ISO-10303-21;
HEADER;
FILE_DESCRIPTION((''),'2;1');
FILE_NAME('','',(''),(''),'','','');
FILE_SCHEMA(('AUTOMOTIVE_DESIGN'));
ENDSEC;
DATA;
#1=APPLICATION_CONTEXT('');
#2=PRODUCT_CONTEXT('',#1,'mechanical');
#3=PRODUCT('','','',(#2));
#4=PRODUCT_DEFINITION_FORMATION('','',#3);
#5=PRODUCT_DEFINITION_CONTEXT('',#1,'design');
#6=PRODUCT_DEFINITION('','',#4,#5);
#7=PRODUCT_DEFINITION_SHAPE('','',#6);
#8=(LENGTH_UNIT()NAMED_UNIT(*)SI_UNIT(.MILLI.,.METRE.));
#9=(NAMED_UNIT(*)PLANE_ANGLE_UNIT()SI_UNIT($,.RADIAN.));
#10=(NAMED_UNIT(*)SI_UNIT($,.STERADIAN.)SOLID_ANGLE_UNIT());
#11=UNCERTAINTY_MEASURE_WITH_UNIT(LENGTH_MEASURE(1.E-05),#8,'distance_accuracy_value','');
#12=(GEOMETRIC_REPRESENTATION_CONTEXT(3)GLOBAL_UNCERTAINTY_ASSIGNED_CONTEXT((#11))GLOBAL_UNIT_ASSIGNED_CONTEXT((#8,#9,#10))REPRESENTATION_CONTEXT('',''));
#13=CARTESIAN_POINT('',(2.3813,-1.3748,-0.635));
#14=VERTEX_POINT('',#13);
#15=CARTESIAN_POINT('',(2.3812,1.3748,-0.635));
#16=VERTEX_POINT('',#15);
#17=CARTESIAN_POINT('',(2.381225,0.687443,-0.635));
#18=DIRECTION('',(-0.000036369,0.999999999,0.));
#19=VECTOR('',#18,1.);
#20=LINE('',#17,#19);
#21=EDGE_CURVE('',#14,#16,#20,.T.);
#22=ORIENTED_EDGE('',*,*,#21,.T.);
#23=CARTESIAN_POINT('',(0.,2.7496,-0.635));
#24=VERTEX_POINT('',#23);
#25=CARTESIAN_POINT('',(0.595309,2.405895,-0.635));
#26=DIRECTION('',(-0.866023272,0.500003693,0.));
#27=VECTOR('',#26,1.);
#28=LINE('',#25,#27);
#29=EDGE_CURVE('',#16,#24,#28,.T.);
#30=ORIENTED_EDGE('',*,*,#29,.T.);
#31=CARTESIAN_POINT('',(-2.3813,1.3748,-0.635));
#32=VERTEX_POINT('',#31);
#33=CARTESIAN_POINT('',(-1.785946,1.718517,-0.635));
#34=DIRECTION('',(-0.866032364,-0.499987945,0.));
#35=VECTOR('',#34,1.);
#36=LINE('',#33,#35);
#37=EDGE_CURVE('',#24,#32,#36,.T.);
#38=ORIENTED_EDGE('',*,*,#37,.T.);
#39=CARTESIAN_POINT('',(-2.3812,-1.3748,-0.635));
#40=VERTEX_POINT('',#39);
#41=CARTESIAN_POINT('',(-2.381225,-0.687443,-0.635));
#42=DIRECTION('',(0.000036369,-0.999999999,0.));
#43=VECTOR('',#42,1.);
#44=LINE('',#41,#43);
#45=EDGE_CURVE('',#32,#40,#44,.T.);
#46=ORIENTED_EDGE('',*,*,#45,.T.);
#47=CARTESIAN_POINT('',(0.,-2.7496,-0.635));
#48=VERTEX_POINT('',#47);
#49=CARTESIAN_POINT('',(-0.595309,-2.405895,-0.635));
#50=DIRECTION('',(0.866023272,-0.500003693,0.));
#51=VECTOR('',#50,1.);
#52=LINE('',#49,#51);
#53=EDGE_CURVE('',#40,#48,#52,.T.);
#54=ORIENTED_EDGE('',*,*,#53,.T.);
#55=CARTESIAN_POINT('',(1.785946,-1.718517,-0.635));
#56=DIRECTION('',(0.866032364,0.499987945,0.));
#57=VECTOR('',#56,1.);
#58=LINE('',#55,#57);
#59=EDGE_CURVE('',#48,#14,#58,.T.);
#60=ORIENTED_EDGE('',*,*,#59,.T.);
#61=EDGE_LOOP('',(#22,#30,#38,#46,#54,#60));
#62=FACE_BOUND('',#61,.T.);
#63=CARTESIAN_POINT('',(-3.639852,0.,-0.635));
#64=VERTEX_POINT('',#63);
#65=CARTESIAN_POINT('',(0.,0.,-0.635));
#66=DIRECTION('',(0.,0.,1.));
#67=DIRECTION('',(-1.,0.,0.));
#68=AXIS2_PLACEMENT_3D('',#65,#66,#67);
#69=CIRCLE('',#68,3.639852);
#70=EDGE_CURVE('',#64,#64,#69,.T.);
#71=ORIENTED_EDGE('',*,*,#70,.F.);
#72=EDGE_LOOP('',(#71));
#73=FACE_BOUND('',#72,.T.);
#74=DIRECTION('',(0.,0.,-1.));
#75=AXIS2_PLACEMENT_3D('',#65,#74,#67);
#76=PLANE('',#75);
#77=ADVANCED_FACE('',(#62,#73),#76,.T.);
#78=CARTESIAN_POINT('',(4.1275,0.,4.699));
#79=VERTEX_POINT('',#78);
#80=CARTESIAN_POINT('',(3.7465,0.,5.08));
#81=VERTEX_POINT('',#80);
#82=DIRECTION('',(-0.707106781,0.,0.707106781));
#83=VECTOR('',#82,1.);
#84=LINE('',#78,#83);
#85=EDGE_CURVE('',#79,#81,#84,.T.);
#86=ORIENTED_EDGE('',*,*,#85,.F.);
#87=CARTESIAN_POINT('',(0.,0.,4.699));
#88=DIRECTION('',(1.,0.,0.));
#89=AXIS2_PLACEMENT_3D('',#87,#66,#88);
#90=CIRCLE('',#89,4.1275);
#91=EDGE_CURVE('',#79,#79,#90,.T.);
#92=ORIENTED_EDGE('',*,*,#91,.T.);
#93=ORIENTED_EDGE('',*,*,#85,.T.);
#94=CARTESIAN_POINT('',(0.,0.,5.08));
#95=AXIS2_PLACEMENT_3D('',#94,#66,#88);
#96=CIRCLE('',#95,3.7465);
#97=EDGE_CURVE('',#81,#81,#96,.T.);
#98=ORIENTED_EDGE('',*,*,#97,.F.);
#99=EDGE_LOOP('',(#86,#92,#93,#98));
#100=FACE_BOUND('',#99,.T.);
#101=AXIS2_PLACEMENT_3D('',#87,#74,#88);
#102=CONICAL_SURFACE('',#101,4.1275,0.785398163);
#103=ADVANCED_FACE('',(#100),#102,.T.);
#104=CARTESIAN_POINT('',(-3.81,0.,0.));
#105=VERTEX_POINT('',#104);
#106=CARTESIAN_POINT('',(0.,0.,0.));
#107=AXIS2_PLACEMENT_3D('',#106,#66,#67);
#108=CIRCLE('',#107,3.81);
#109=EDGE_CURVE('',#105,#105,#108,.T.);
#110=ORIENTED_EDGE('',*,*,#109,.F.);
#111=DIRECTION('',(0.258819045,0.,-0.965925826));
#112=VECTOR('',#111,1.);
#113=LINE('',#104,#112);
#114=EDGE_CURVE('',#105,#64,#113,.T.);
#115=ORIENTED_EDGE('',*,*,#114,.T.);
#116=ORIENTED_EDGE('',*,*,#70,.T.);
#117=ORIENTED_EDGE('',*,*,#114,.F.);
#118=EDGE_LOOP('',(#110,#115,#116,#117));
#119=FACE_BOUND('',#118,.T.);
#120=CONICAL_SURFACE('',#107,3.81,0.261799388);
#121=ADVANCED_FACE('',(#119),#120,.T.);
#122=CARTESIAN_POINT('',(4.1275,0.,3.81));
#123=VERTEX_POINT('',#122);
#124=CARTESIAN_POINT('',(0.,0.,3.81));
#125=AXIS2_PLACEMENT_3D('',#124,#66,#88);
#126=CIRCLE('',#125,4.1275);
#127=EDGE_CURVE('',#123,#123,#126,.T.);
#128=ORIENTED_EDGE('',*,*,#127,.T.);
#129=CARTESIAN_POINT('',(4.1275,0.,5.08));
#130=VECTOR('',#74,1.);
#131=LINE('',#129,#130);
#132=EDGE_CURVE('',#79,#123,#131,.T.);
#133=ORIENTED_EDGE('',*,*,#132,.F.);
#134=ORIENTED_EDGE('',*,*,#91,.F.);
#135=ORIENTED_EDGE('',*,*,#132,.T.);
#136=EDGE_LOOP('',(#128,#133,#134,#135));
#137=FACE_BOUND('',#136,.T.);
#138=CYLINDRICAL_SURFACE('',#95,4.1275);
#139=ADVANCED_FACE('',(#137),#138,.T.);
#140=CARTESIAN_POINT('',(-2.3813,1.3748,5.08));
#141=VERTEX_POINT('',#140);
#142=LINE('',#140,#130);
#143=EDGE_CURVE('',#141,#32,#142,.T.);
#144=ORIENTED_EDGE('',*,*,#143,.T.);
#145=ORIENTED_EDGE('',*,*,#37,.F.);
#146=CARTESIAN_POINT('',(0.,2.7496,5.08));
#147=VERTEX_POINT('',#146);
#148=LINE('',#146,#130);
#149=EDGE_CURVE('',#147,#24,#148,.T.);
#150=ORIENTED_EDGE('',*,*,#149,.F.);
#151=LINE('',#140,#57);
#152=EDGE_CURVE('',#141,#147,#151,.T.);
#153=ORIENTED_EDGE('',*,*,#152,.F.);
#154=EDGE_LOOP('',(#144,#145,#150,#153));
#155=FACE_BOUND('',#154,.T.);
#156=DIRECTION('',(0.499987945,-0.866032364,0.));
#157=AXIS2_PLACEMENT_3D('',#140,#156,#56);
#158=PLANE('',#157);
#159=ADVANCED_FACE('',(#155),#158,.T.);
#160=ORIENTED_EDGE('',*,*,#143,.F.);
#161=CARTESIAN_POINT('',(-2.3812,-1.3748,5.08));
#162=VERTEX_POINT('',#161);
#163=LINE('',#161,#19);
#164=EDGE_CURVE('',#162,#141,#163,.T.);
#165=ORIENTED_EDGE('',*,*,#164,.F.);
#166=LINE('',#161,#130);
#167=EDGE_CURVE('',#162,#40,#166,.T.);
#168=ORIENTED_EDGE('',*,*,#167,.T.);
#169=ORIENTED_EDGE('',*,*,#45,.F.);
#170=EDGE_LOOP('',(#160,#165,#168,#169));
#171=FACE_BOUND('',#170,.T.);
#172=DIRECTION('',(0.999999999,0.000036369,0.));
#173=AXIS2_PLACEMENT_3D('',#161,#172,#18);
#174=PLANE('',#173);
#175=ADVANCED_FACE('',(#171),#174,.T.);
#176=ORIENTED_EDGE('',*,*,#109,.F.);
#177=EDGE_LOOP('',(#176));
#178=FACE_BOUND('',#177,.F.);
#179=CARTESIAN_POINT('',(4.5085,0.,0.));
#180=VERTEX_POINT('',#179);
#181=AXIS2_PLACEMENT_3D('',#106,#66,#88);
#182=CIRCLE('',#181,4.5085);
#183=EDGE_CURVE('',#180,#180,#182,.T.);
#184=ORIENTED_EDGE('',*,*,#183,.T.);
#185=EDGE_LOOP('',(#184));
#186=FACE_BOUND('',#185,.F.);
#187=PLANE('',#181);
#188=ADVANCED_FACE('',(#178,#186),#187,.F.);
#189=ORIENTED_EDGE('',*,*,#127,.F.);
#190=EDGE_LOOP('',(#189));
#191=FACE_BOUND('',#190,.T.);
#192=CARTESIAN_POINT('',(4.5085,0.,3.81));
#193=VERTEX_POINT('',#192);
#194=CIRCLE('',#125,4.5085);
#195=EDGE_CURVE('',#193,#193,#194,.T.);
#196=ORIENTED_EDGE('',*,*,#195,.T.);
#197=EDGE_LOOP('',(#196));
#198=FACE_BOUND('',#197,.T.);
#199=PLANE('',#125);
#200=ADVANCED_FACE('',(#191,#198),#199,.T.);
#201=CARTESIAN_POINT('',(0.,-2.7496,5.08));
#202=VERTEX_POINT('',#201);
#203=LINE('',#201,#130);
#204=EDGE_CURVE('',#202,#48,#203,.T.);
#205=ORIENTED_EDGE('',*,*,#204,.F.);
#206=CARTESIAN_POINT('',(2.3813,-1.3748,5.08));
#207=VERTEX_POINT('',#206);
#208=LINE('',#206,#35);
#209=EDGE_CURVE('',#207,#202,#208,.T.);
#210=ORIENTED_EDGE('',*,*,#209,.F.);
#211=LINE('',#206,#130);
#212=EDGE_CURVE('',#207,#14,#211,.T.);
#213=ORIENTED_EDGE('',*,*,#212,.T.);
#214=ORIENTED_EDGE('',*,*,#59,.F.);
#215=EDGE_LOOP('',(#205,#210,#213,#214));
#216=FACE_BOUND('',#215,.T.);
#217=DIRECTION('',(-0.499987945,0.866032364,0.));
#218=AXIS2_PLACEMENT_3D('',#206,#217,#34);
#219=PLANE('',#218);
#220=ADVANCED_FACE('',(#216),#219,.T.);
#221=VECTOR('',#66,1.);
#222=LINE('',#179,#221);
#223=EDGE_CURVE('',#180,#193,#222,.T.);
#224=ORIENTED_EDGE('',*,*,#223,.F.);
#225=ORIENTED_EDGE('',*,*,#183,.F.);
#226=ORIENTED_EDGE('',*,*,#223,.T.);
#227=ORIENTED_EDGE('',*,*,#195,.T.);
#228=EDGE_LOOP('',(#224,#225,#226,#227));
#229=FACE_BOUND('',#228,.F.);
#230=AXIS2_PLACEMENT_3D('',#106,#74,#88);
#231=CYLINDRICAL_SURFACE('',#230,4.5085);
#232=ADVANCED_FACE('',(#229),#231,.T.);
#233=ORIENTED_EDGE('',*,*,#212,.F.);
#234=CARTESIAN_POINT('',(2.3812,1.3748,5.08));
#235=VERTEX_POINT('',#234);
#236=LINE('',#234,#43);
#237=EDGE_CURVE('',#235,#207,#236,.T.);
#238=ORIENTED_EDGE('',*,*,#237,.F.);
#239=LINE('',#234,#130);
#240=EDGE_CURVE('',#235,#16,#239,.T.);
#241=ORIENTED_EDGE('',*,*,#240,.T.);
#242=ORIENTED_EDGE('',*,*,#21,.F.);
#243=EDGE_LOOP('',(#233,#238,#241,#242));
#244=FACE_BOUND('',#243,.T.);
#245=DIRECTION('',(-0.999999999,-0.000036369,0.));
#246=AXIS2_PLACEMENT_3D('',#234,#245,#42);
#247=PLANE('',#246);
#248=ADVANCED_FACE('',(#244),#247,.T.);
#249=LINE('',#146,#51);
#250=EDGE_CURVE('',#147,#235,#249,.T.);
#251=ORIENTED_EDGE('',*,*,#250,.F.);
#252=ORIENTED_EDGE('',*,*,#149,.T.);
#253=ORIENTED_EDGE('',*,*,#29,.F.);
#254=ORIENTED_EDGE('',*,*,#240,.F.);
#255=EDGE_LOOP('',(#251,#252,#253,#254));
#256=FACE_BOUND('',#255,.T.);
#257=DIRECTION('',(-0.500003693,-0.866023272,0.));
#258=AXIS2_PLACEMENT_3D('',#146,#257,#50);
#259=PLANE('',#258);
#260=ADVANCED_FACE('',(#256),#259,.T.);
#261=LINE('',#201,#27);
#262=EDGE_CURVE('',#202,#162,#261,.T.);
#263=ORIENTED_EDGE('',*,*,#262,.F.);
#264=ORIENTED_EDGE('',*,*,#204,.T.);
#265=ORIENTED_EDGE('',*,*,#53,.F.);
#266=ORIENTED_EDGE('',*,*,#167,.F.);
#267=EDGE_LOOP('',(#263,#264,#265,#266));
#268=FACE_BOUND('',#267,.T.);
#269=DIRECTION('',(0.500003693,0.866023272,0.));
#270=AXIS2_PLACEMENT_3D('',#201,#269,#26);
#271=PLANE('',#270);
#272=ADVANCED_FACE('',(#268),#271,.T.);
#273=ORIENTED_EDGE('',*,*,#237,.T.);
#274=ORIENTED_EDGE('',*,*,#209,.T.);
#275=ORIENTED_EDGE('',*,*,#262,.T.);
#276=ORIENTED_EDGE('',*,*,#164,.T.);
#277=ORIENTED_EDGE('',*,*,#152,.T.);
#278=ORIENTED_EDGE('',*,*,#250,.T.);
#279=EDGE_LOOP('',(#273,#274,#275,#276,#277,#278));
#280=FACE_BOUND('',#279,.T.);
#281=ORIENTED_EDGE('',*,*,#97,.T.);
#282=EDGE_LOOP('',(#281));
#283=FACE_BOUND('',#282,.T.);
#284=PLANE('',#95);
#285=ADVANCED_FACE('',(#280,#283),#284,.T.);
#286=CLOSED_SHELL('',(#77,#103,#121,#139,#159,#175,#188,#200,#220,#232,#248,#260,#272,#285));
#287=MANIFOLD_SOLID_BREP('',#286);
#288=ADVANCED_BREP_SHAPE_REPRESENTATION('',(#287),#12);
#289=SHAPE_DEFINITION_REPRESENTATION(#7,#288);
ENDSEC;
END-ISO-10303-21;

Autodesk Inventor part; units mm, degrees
ref_plane "YZ Plane" through (0, 0, 0) normal (1, 0, 0) x (0, 1, 0)
ref_plane "XZ Plane" through (0, 0, 0) normal (0, 1, 0) x (-1, 0, 0)
ref_plane "XY Plane" through (0, 0, 0) normal (0, 0, 1) x (1, 0, 0)
sketch "Sketch1" plane through (0, 0, 0) normal (0, 0, 1) x (1, 0, 0)
  circle A0 centre (0, 0) radius 4.5085
  dimension "d0" = 9.017
extrude "Extrusion1" add sketch "Sketch1" along normal blind 5.08
sketch "Sketch2" plane through (0, 0, 0) normal (0, 0, -1) x (-1, 0, 0)
  circle A0 centre (0, 0) radius 3.81
  dimension "d3" = 7.62
extrude "Extrusion2" add sketch "Sketch2" along normal blind 0.635 draft -15
sketch "Sketch3" plane through (0, 0, 5.08) normal (0, 0, 1) x (1, 0, 0)
  circle A0 centre (0, 0) radius 4.1275
  circle A1 centre (0, 0) radius 4.5085 projected
  dimension "d6" = 8.255
extrude "Extrusion3" cut sketch "Sketch3" against normal blind 1.27
chamfer "Chamfer1" distance 0.381 angle 45 1 edges at (-4.1275, 0, 5.08)
sketch "Sketch4" plane through (0, 0, 5.08) normal (0, 0, 1) x (1, 0, 0)
  circle A0 centre (0, 0) radius 2.3813 construction
  line L0 (-2.3813, 1.3748) -> (0, 2.7496)
  line L1 (0, 2.7496) -> (2.3812, 1.3748)
  line L2 (2.3812, 1.3748) -> (2.3813, -1.3748)
  line L3 (2.3813, -1.3748) -> (0, -2.7496)
  line L4 (0, -2.7496) -> (-2.3812, -1.3748)
  line L5 (-2.3812, -1.3748) -> (-2.3813, 1.3748)
  point P0 (-2.3813, 0)
  dimension "d12" = 4.7625
extrude "Extrusion4" cut sketch "Sketch4" against normal through all
thread "Thread1" size "3/8-36 UNS" class "2A" standard "ANSI Unified Screw Threads" full length
properties part number "Pillow Ball Retainer"
